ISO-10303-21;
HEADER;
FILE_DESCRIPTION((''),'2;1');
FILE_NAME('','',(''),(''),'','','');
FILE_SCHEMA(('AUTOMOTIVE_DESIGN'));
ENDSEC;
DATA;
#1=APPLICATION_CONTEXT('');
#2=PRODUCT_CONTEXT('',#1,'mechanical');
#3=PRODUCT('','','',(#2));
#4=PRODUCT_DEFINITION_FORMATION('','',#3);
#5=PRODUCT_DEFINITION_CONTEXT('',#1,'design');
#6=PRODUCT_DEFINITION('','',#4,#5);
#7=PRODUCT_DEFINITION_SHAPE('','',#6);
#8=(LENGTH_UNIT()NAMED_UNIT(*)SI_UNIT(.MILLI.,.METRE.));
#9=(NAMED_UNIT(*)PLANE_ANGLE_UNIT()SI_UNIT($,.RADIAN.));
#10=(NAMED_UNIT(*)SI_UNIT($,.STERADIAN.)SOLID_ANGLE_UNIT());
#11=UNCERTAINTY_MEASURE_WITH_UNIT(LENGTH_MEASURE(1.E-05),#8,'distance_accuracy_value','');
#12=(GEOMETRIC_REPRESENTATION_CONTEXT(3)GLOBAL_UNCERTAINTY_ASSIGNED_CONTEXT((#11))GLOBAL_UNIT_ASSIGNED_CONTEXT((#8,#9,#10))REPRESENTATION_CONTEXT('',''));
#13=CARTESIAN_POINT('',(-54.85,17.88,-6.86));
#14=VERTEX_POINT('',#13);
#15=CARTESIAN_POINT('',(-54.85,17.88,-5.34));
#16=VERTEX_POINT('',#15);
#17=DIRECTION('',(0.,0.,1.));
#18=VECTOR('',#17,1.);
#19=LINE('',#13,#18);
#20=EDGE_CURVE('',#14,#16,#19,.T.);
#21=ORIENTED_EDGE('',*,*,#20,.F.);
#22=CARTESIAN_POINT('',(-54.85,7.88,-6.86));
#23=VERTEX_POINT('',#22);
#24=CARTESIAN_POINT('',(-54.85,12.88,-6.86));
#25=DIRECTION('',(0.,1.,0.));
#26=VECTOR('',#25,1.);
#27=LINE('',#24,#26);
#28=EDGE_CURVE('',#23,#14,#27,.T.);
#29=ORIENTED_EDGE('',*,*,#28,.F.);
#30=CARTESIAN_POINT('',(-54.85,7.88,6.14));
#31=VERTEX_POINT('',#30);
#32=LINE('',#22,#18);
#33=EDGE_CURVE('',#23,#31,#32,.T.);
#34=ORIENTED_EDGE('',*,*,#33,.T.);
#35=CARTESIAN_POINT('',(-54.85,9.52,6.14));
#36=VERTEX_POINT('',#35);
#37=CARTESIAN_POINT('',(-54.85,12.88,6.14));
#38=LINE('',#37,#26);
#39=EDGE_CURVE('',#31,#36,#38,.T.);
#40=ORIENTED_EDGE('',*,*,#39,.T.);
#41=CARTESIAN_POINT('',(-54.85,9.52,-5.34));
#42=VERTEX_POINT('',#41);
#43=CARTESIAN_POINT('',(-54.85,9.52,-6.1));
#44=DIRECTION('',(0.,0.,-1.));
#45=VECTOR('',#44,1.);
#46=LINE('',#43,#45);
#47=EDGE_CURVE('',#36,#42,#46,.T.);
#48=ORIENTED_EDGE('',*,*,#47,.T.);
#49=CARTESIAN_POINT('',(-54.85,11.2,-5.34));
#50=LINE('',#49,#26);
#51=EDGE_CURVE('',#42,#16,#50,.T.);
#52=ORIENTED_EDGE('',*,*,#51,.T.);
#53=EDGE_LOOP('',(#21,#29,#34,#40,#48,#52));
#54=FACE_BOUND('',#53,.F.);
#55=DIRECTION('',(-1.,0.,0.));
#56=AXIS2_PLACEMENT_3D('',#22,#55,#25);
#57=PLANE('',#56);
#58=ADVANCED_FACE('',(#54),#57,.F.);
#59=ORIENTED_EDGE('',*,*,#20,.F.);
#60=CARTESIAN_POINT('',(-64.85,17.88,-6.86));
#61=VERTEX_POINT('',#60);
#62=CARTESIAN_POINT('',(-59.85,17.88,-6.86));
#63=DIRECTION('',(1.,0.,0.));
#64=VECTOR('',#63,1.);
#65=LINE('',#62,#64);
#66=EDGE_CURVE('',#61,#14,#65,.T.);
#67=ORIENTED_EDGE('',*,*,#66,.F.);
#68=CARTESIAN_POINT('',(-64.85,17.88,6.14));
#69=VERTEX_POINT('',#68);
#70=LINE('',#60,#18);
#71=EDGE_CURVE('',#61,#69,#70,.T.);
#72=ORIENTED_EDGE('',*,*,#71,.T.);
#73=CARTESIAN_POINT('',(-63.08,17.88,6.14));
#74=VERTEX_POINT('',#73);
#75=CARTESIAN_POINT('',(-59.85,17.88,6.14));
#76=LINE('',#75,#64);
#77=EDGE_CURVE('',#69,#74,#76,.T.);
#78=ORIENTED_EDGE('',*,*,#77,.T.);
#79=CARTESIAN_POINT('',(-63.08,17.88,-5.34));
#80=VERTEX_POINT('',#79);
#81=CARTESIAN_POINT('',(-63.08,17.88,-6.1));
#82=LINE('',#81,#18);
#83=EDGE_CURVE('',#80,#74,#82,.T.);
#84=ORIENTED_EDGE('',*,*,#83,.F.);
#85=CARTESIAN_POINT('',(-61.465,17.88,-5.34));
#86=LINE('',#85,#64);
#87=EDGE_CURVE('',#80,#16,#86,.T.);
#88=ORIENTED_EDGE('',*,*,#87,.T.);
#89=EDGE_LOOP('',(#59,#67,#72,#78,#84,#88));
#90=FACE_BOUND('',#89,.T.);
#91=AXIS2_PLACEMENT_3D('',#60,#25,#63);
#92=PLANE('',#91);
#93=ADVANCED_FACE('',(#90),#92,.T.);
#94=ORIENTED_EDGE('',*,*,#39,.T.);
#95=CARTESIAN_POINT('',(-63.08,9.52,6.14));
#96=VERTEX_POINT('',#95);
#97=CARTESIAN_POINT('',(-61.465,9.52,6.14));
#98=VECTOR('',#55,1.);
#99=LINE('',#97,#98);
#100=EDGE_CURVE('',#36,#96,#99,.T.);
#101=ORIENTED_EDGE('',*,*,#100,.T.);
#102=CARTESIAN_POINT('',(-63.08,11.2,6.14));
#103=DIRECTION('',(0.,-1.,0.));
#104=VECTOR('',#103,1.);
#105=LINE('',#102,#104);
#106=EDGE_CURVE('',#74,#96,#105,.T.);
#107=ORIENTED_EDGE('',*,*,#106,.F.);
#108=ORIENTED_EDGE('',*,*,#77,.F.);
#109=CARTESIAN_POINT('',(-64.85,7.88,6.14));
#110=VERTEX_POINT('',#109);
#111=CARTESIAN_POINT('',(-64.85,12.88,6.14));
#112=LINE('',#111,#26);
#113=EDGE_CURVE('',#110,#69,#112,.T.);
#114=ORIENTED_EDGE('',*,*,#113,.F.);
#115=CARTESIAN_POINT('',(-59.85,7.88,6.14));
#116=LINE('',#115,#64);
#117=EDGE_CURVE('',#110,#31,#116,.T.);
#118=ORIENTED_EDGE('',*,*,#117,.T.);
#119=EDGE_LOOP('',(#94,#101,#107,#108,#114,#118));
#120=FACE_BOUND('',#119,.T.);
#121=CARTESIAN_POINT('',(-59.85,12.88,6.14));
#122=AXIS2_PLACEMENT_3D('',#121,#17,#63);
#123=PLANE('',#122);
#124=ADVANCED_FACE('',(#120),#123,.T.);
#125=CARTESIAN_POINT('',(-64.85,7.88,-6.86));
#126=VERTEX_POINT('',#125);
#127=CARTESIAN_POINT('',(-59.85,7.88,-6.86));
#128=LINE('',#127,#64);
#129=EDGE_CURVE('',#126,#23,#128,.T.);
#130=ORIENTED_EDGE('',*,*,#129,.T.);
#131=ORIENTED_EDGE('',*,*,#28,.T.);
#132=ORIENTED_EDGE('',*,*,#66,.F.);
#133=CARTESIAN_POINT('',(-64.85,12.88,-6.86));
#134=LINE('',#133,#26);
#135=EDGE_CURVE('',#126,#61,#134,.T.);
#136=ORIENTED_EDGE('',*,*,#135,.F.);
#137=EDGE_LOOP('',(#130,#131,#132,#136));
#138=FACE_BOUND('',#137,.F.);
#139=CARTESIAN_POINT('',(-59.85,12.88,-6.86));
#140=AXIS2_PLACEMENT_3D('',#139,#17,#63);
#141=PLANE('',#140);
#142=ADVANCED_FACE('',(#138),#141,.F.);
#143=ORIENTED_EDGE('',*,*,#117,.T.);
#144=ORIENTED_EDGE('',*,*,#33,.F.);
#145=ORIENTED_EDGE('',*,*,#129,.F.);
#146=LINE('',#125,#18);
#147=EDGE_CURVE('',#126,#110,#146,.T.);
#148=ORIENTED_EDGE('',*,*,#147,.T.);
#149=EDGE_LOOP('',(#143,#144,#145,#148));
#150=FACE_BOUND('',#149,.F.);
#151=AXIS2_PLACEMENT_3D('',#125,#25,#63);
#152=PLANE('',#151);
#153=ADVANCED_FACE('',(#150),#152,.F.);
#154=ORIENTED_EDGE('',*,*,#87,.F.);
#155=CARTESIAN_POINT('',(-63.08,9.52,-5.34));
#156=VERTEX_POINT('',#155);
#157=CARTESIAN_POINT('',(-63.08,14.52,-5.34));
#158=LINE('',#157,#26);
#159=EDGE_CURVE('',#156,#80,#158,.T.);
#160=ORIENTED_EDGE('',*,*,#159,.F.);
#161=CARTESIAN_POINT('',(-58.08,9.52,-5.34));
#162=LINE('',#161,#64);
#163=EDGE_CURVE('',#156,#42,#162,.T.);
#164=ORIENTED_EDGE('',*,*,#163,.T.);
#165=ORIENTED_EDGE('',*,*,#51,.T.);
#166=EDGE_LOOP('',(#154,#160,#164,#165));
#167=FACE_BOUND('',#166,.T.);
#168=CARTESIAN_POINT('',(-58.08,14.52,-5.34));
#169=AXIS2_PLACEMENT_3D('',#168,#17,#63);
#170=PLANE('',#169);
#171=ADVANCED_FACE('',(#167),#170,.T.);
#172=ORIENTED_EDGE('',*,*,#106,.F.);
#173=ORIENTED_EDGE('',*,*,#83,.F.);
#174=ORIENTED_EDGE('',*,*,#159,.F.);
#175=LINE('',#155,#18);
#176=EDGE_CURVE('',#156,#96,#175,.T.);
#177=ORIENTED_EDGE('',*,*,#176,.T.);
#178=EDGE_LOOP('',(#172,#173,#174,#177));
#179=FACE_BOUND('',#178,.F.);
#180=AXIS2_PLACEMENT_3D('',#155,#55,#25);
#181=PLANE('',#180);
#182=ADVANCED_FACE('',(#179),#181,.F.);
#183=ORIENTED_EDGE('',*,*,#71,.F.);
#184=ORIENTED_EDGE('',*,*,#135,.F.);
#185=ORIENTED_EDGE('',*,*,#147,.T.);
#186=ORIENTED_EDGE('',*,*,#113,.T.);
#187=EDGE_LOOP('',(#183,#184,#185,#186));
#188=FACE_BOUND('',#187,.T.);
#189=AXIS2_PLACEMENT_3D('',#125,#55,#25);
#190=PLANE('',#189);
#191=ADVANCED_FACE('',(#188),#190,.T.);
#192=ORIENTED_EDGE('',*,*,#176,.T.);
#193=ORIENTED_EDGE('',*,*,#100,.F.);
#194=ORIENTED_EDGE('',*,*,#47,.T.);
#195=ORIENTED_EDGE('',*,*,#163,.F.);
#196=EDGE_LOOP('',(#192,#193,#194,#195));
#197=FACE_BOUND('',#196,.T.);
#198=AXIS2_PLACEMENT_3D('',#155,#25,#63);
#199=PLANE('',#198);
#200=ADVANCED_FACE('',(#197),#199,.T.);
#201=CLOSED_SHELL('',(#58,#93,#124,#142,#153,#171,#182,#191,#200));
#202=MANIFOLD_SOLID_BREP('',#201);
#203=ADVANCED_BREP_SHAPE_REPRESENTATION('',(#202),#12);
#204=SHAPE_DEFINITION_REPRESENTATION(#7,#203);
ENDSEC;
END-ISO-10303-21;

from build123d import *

# Parameters (mm, degrees)
BOX048_W     = 10
BOX048_H     = 10
BOX048_DEPTH = 14
BOX047_W     = 10
BOX047_H     = 10
BOX047_DEPTH = 13


with BuildPart() as cubo003:
    # Box048 → Box048 (new body)
    with BuildSketch(Plane(origin=(-63.08, 9.52, -3.39), x_dir=(1, 0, 0), z_dir=(0, 0, 1))):
        with Locations((5, 5)):
            Rectangle(BOX048_W, BOX048_H)
    extrude(amount=BOX048_DEPTH)


with BuildPart() as cut028:
    # Box047 → Box047 (new body)
    with BuildSketch(Plane(origin=(-64.85, 7.88, -4.91), x_dir=(1, 0, 0), z_dir=(0, 0, 1))):
        with Locations((5, 5)):
            Rectangle(BOX047_W, BOX047_H)
    extrude(amount=BOX047_DEPTH)

    # Cut028: cut Cubo003
    add(cubo003.part, mode=Mode.SUBTRACT)


with BuildPart() as cut028_1:
    # Cut028 placement: moved
    add(cut028.part.moved(Location((0, 0, -1.95))))


solid = cut028_1.part
